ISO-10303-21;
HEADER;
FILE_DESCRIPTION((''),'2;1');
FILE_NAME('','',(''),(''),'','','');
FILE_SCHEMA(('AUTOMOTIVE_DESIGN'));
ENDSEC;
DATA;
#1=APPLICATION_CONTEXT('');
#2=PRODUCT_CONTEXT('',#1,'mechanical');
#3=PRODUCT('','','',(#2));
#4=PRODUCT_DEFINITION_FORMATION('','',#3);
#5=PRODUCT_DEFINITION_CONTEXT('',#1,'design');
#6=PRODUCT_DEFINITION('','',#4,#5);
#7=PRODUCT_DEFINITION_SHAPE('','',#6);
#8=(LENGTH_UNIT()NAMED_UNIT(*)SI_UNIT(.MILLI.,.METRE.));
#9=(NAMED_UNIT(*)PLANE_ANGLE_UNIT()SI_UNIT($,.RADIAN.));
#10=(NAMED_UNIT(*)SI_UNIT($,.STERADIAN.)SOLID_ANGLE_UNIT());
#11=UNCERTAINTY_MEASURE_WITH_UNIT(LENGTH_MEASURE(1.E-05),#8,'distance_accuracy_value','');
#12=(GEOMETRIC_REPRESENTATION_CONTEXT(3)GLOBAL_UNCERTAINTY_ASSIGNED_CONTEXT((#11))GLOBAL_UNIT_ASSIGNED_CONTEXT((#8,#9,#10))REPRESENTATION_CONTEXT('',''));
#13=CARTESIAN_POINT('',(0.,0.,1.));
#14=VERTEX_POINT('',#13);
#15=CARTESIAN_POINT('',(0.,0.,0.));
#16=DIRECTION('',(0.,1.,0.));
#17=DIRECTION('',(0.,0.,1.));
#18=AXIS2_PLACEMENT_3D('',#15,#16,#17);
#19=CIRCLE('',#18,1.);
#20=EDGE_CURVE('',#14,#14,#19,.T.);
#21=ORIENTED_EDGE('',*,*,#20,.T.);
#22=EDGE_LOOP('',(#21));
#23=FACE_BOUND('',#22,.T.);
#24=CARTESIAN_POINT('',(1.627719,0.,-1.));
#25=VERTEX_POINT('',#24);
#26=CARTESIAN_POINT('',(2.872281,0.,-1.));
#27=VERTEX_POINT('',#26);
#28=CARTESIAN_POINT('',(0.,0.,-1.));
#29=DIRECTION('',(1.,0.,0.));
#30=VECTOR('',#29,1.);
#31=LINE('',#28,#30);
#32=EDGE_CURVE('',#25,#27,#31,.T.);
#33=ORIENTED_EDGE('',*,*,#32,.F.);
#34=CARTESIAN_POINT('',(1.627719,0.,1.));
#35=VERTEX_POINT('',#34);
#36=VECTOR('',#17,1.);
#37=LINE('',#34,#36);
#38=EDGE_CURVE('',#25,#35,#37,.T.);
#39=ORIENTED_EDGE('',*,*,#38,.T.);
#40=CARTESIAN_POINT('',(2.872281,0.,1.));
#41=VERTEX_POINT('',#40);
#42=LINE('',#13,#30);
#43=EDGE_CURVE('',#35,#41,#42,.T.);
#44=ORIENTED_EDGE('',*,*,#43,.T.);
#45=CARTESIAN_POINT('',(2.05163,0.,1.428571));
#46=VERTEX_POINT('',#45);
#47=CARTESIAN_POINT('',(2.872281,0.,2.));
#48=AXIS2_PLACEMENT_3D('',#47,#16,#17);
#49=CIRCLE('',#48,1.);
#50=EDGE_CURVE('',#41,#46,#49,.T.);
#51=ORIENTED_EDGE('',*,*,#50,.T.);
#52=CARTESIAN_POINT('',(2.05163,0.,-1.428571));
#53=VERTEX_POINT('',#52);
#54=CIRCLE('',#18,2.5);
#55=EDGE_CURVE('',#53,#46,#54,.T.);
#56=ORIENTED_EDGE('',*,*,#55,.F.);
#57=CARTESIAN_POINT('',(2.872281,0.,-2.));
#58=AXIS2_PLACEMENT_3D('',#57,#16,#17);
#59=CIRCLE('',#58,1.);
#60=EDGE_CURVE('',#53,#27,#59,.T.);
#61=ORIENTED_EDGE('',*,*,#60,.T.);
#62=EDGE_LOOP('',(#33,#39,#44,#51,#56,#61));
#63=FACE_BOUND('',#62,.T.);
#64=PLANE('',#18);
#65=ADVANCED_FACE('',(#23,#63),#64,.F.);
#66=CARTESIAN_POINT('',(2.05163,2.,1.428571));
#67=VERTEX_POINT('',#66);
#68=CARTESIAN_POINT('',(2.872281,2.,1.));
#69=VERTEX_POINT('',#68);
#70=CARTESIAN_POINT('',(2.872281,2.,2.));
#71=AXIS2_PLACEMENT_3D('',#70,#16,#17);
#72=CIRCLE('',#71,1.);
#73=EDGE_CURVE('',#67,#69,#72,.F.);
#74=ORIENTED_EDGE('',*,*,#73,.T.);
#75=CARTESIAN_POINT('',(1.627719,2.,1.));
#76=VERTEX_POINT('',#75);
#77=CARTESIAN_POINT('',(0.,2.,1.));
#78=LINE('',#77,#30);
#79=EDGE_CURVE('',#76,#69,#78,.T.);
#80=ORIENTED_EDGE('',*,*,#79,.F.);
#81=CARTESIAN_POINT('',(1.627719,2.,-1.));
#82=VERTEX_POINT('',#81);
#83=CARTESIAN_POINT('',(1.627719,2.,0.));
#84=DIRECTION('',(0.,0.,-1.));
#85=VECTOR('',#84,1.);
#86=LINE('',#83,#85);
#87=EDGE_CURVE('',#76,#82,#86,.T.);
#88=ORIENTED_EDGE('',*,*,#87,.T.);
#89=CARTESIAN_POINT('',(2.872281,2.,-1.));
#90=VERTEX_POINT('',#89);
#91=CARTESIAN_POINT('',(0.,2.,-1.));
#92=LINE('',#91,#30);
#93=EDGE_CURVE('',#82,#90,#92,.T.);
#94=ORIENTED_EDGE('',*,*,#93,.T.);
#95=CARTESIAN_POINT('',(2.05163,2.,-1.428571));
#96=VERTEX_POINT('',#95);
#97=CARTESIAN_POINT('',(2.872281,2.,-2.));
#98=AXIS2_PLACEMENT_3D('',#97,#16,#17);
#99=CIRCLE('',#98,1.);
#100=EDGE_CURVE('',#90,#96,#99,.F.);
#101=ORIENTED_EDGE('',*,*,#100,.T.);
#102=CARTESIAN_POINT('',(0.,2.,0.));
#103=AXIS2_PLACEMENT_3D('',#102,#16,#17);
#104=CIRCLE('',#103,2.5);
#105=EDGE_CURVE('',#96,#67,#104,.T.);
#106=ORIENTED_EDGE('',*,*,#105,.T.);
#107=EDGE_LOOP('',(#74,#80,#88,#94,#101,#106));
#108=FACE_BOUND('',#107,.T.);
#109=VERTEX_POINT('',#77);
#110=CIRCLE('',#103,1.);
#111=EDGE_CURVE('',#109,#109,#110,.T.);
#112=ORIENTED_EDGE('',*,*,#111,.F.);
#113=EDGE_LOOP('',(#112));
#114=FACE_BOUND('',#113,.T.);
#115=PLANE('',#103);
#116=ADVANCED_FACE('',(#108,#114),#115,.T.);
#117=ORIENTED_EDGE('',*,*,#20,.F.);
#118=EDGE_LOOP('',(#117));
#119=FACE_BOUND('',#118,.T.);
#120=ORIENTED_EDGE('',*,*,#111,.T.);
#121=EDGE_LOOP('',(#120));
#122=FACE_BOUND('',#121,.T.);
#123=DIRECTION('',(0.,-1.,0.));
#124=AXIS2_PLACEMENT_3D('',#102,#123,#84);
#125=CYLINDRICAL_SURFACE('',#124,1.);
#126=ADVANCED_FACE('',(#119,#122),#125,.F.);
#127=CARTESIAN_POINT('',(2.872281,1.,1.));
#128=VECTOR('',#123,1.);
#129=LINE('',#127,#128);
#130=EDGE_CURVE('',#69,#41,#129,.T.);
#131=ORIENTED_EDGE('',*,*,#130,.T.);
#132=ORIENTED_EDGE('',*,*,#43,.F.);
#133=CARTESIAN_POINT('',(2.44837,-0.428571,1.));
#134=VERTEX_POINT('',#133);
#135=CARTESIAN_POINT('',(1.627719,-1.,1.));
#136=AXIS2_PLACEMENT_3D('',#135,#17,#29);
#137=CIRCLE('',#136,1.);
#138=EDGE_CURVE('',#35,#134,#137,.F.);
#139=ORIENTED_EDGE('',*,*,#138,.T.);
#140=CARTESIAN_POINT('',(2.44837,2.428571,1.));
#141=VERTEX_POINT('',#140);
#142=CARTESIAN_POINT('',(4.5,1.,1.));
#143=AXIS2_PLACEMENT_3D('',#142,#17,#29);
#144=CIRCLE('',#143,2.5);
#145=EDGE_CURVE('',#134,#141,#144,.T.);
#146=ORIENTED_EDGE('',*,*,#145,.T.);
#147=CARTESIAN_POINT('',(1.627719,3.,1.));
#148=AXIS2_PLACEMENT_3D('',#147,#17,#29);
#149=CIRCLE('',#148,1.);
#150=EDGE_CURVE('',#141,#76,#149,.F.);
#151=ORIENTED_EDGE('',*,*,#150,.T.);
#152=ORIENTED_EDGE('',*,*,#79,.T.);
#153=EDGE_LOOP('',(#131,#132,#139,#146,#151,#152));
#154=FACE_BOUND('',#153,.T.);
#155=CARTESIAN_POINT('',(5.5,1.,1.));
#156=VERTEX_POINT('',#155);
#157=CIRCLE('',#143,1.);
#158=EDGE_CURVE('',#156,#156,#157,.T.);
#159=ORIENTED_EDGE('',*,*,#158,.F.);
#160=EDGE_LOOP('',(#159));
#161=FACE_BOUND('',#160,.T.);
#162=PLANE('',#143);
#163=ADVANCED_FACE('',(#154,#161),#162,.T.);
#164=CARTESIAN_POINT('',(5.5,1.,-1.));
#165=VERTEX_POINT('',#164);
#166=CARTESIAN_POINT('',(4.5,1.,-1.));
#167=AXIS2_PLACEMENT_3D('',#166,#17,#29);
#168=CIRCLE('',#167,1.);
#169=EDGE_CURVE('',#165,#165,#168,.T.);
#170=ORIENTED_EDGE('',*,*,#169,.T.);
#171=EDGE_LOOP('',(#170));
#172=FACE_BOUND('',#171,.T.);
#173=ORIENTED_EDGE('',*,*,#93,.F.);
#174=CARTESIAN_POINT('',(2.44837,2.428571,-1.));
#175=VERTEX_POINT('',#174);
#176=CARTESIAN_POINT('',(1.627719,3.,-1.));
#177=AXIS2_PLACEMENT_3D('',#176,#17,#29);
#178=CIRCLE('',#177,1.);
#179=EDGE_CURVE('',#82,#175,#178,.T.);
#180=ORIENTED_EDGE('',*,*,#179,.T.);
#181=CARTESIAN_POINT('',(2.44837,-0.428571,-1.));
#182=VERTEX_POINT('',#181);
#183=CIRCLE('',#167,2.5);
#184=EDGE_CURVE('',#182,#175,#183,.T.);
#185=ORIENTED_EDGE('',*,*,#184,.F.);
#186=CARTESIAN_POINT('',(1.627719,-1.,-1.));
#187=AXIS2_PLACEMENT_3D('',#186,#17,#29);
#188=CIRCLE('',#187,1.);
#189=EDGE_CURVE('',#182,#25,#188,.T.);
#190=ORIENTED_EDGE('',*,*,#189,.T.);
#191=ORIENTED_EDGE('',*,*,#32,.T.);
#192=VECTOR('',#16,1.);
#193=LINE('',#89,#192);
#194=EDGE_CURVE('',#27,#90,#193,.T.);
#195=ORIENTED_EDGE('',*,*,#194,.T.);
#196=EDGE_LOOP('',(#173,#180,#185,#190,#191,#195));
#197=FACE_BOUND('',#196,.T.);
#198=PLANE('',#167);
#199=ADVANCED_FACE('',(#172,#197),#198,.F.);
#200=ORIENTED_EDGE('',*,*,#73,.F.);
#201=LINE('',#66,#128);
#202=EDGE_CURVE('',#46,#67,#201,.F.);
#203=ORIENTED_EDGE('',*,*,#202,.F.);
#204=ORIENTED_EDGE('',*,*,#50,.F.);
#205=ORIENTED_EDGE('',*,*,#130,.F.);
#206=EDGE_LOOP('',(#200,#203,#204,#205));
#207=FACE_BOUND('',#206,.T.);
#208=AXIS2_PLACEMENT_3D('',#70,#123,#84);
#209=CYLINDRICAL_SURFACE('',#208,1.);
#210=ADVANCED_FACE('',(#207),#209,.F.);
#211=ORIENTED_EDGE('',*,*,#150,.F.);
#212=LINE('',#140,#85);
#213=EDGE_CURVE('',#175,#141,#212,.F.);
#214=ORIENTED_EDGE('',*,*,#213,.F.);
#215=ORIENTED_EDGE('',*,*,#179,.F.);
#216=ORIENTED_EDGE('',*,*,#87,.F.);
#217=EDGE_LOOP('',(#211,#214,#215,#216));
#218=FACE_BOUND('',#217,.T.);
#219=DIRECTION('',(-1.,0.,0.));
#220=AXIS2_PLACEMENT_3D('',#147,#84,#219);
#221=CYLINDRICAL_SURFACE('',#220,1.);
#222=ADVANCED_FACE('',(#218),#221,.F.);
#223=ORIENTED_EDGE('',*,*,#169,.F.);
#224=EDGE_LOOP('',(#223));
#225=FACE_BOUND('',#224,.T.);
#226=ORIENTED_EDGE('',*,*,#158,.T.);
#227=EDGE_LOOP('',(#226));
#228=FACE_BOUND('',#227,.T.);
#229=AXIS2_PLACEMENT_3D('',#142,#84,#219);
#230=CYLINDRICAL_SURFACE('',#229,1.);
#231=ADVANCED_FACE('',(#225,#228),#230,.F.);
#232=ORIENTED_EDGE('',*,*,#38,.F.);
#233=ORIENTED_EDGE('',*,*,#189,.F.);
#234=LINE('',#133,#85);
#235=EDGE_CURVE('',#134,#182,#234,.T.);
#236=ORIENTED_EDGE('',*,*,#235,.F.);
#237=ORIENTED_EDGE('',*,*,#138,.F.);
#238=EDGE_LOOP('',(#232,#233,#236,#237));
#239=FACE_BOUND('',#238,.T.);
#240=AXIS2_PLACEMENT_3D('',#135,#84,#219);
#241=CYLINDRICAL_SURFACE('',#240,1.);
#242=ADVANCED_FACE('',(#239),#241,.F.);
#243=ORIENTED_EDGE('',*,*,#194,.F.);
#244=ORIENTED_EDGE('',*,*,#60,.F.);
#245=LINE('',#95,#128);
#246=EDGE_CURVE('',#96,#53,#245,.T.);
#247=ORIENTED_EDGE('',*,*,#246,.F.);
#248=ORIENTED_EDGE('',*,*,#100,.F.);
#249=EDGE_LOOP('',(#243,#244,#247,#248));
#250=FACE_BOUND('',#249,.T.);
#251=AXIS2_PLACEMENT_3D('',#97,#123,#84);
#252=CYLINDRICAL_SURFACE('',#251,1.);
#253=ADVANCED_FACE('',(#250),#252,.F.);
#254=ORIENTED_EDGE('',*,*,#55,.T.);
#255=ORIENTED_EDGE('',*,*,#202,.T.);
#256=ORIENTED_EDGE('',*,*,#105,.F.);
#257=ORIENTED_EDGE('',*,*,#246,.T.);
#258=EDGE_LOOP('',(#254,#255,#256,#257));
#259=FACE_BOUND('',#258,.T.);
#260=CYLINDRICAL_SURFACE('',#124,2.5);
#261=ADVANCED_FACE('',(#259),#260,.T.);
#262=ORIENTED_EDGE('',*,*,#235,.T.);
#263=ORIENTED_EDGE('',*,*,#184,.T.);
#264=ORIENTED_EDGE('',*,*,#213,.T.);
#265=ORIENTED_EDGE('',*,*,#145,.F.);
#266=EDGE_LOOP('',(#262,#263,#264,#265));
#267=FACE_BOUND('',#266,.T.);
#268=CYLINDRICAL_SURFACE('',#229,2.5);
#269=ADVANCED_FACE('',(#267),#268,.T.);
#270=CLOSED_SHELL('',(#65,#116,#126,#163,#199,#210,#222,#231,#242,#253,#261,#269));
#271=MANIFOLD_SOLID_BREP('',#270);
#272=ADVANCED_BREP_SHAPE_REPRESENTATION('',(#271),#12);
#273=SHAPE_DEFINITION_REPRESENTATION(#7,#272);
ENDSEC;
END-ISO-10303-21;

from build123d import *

# Parameters (mm, degrees)
SKETCH1_R           = 2.5
SKETCH1_R_2         = 1
BOSS_EXTRUDE2_DEPTH = 2
SKETCH2_R           = 2.5
SKETCH2_R_2         = 1
BOSS_EXTRUDE3_DEPTH = 1
FILLET3_R           = 1
FILLET4_R           = 1
FILLET5_R           = 1
FILLET8_R           = 1


with BuildPart() as part:
    # Sketch1 → Boss-Extrude2 (new body)
    with BuildSketch(Plane(origin=(0, 0, 0), x_dir=(1, 0, 0), z_dir=(0, 1, 0))):
        with Locations(Location((0, 0, 0), (0, 0, 270))):
            Circle(SKETCH1_R)
        with Locations(Location((0, 0, 0), (0, 0, 270))):
            Circle(SKETCH1_R_2, mode=Mode.SUBTRACT)
    extrude(amount=BOSS_EXTRUDE2_DEPTH)

    # Sketch2 → Boss-Extrude3 (add, symmetric)
    with BuildSketch(Plane.XY):
        with Locations((4.5, 1)):
            Circle(SKETCH2_R)
        with Locations((4.5, 1)):
            Circle(SKETCH2_R_2, mode=Mode.SUBTRACT)
    extrude(amount=BOSS_EXTRUDE3_DEPTH, both=True)

    # Fillet3
    fillet3_edges = [part.edges().sort_by_distance(p)[0] for p in [
        (2.208712153, 2, 0),
    ]]
    fillet(fillet3_edges, radius=FILLET3_R)

    # Fillet4
    fillet4_edges = [part.edges().sort_by_distance(p)[0] for p in [
        (2.208712153, 0, 0),
    ]]
    fillet(fillet4_edges, radius=FILLET4_R)

    # Fillet5
    fillet5_edges = [part.edges().sort_by_distance(p)[0] for p in [
        (2.291287847, 1, -1),
    ]]
    fillet(fillet5_edges, radius=FILLET5_R)

    # Fillet8
    fillet8_edges = [part.edges().sort_by_distance(p)[0] for p in [
        (2.291287847, 1, 1),
    ]]
    fillet(fillet8_edges, radius=FILLET8_R)


solid = part.part
